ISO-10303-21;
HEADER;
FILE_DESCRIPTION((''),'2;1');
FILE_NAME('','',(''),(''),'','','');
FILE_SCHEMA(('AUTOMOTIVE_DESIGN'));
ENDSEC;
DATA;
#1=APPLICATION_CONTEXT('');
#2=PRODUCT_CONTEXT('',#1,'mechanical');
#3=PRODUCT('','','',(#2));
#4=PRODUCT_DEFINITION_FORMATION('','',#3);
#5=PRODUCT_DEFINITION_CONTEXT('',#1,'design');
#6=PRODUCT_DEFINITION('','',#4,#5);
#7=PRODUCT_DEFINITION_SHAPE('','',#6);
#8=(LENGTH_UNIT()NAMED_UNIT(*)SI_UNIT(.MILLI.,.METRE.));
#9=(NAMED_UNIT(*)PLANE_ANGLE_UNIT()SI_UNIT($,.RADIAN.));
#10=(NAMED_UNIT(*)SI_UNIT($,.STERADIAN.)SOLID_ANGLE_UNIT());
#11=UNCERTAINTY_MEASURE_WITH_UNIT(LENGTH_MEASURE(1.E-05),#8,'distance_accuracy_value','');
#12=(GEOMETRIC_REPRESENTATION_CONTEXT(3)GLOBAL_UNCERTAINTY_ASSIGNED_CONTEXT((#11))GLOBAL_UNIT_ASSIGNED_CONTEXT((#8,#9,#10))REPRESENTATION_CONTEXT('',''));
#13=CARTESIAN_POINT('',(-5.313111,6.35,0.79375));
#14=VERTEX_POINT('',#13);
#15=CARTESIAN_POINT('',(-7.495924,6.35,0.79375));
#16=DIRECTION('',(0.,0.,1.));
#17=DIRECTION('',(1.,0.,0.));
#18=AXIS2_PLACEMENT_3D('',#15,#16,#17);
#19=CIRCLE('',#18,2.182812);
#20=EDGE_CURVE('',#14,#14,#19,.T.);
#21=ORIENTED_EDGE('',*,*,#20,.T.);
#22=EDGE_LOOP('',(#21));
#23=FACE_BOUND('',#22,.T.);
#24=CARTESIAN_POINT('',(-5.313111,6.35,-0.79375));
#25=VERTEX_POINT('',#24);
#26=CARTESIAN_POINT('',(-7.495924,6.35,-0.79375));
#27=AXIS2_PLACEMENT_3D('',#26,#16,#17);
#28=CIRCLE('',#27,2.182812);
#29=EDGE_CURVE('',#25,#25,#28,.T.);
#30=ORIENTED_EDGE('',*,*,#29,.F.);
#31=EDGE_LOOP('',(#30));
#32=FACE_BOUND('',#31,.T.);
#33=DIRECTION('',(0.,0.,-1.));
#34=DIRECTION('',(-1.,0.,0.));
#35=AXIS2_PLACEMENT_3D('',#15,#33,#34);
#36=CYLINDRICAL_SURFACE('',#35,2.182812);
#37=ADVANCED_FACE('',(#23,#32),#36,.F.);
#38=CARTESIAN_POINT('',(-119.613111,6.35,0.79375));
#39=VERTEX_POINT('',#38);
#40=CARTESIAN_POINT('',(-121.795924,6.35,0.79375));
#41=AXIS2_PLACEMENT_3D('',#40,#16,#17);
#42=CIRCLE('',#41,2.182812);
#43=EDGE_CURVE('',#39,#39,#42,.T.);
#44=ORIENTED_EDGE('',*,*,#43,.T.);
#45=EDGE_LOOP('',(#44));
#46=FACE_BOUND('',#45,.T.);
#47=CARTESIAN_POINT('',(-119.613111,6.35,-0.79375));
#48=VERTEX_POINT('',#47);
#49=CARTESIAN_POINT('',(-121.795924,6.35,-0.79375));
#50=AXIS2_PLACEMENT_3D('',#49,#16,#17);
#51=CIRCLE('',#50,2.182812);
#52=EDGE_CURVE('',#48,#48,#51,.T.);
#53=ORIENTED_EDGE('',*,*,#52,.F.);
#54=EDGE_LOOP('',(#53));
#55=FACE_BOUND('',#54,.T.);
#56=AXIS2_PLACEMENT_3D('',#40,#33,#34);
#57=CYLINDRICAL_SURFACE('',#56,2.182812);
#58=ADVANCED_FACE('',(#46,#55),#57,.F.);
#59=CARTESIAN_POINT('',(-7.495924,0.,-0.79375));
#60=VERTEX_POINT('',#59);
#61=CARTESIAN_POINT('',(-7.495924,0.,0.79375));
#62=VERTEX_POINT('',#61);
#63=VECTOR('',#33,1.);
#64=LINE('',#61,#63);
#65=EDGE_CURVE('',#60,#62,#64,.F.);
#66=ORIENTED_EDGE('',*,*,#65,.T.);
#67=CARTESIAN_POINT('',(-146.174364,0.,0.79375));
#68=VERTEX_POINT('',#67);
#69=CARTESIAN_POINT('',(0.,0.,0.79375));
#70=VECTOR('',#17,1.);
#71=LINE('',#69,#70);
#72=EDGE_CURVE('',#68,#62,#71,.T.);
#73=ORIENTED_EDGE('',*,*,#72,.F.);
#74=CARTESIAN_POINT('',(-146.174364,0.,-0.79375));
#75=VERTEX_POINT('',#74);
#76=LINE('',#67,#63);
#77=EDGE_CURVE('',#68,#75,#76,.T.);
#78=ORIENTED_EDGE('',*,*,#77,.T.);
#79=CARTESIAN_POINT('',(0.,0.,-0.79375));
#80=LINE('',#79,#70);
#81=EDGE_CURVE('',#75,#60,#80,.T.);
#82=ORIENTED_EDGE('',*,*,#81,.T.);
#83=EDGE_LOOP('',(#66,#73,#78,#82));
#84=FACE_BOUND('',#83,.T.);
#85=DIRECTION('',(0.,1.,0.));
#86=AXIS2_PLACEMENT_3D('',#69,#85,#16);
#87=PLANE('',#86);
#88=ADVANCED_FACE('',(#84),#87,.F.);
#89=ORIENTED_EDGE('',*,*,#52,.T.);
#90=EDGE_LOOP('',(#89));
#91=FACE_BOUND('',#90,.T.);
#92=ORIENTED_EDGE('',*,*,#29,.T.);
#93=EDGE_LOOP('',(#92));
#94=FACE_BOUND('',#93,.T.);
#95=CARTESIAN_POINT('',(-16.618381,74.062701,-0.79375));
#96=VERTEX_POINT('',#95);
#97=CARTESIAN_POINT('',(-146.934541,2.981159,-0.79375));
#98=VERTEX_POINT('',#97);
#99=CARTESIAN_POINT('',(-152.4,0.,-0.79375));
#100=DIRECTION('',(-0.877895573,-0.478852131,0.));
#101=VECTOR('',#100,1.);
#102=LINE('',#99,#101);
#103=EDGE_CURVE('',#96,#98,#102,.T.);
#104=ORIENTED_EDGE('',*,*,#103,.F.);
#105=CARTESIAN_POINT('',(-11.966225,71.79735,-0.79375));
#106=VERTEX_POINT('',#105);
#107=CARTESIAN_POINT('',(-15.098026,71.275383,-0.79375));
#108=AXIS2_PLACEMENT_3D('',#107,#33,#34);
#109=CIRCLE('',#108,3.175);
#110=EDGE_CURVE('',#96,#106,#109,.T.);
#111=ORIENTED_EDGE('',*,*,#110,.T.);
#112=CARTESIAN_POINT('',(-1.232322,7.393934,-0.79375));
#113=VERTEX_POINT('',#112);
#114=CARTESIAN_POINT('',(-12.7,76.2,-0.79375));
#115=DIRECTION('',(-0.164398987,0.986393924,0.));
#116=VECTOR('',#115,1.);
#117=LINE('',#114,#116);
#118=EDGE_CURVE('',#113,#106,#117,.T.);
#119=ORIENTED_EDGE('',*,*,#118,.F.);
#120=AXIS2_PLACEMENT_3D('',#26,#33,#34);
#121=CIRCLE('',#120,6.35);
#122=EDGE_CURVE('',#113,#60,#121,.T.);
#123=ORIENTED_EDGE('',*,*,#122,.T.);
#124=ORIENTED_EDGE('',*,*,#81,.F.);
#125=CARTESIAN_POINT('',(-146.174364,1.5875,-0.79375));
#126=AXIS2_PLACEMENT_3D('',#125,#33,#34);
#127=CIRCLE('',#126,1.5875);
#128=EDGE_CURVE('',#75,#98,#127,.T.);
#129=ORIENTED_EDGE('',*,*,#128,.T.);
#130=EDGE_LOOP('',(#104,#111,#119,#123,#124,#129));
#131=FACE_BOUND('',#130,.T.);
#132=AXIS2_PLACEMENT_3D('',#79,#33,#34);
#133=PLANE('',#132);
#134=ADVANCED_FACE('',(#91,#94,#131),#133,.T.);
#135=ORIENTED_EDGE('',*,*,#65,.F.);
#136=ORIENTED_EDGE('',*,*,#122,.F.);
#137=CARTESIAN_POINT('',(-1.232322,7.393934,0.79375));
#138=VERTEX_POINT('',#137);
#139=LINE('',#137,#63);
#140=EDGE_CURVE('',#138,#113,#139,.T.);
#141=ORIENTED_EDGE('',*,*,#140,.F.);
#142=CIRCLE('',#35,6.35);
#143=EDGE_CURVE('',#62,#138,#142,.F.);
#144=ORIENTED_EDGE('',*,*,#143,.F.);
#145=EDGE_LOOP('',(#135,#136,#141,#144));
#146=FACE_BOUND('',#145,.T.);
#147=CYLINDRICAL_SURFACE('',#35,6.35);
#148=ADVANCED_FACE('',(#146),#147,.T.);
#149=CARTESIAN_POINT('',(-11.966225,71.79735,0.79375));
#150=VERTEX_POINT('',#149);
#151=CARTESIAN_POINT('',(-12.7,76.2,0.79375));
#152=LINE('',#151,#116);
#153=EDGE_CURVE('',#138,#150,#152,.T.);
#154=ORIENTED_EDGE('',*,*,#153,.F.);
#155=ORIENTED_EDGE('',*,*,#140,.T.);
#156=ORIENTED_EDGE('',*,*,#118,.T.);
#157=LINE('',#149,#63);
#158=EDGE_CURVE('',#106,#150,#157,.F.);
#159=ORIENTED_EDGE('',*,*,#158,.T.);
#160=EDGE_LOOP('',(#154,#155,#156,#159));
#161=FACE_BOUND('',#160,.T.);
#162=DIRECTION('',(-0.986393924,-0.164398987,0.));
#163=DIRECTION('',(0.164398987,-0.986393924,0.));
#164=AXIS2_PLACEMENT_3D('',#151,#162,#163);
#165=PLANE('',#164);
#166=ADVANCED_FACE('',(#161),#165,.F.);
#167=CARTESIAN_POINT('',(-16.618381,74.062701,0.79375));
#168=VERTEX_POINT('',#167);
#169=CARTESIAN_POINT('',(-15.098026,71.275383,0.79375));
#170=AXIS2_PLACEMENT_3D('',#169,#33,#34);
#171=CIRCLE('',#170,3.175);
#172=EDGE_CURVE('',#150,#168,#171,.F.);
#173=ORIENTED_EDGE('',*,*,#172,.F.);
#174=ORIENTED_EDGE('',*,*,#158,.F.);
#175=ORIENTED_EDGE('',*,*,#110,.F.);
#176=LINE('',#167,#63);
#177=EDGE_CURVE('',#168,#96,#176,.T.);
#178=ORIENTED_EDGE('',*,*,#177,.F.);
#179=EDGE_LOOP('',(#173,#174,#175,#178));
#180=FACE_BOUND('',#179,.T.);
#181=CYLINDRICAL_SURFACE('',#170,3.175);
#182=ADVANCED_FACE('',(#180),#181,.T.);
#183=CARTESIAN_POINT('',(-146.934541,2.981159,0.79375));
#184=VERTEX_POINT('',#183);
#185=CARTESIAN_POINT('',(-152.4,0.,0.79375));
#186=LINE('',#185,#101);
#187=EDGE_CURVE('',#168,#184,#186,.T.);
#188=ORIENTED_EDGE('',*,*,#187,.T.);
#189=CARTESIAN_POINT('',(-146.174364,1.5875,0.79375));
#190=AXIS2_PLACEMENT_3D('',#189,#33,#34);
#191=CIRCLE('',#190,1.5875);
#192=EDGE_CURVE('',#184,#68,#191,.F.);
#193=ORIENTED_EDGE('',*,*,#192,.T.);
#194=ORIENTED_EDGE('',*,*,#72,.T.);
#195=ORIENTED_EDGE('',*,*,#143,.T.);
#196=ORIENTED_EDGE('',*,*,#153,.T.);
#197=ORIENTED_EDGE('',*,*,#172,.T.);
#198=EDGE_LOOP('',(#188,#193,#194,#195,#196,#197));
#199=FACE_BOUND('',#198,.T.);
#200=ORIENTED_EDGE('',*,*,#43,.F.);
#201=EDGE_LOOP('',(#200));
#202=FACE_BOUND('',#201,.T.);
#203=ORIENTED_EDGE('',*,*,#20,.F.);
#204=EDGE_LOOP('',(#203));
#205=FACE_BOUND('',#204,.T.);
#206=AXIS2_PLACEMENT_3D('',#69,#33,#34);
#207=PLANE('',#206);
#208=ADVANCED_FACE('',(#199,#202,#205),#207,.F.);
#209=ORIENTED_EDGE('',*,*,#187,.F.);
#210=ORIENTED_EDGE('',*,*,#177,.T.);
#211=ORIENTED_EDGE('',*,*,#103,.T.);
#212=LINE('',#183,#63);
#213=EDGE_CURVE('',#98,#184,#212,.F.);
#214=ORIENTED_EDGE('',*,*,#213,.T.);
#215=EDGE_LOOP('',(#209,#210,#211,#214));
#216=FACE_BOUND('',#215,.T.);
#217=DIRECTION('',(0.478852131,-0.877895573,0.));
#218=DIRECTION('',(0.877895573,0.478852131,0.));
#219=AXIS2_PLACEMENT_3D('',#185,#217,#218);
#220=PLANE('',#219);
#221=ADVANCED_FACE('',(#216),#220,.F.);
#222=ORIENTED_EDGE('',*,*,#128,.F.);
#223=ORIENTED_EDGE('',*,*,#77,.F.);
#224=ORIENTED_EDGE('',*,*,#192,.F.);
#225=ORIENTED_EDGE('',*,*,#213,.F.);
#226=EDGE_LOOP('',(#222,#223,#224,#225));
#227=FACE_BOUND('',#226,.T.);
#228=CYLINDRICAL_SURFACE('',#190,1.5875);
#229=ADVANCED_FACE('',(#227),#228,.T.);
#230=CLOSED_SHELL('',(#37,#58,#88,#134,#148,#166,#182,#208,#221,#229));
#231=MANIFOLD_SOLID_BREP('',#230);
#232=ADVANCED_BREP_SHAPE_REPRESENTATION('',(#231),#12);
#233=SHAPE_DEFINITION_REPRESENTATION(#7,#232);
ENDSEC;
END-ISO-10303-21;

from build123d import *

# Parameters (mm, degrees)
SKETCH1_R           = 2.1828125
BOSS_EXTRUDE1_DEPTH = 0.79375
FILLET1_R           = 6.35
FILLET2_R           = 3.175
FILLET3_R           = 1.5875


with BuildPart() as part:
    # Sketch1 → Boss-Extrude1 (new body, symmetric)
    with BuildSketch(Plane.XY):
        Polygon((0, 0), (-152.4, 0), (-12.7, 76.2), align=None)
        with Locations((-7.495923678, 6.35)):
            Circle(SKETCH1_R, mode=Mode.SUBTRACT)
        with Locations((-121.795923678, 6.35)):
            Circle(SKETCH1_R, mode=Mode.SUBTRACT)
    extrude(amount=BOSS_EXTRUDE1_DEPTH, both=True)

    # Fillet1
    fillet1_edges = [part.edges().sort_by_distance(p)[0] for p in [
        (0, 0, 0),
    ]]
    fillet(fillet1_edges, radius=FILLET1_R)

    # Fillet2
    fillet2_edges = [part.edges().sort_by_distance(p)[0] for p in [
        (-12.7, 76.2, 0),
    ]]
    fillet(fillet2_edges, radius=FILLET2_R)

    # Fillet3
    fillet3_edges = [part.edges().sort_by_distance(p)[0] for p in [
        (-152.4, 0, 0),
    ]]
    fillet(fillet3_edges, radius=FILLET3_R)


solid = part.part
